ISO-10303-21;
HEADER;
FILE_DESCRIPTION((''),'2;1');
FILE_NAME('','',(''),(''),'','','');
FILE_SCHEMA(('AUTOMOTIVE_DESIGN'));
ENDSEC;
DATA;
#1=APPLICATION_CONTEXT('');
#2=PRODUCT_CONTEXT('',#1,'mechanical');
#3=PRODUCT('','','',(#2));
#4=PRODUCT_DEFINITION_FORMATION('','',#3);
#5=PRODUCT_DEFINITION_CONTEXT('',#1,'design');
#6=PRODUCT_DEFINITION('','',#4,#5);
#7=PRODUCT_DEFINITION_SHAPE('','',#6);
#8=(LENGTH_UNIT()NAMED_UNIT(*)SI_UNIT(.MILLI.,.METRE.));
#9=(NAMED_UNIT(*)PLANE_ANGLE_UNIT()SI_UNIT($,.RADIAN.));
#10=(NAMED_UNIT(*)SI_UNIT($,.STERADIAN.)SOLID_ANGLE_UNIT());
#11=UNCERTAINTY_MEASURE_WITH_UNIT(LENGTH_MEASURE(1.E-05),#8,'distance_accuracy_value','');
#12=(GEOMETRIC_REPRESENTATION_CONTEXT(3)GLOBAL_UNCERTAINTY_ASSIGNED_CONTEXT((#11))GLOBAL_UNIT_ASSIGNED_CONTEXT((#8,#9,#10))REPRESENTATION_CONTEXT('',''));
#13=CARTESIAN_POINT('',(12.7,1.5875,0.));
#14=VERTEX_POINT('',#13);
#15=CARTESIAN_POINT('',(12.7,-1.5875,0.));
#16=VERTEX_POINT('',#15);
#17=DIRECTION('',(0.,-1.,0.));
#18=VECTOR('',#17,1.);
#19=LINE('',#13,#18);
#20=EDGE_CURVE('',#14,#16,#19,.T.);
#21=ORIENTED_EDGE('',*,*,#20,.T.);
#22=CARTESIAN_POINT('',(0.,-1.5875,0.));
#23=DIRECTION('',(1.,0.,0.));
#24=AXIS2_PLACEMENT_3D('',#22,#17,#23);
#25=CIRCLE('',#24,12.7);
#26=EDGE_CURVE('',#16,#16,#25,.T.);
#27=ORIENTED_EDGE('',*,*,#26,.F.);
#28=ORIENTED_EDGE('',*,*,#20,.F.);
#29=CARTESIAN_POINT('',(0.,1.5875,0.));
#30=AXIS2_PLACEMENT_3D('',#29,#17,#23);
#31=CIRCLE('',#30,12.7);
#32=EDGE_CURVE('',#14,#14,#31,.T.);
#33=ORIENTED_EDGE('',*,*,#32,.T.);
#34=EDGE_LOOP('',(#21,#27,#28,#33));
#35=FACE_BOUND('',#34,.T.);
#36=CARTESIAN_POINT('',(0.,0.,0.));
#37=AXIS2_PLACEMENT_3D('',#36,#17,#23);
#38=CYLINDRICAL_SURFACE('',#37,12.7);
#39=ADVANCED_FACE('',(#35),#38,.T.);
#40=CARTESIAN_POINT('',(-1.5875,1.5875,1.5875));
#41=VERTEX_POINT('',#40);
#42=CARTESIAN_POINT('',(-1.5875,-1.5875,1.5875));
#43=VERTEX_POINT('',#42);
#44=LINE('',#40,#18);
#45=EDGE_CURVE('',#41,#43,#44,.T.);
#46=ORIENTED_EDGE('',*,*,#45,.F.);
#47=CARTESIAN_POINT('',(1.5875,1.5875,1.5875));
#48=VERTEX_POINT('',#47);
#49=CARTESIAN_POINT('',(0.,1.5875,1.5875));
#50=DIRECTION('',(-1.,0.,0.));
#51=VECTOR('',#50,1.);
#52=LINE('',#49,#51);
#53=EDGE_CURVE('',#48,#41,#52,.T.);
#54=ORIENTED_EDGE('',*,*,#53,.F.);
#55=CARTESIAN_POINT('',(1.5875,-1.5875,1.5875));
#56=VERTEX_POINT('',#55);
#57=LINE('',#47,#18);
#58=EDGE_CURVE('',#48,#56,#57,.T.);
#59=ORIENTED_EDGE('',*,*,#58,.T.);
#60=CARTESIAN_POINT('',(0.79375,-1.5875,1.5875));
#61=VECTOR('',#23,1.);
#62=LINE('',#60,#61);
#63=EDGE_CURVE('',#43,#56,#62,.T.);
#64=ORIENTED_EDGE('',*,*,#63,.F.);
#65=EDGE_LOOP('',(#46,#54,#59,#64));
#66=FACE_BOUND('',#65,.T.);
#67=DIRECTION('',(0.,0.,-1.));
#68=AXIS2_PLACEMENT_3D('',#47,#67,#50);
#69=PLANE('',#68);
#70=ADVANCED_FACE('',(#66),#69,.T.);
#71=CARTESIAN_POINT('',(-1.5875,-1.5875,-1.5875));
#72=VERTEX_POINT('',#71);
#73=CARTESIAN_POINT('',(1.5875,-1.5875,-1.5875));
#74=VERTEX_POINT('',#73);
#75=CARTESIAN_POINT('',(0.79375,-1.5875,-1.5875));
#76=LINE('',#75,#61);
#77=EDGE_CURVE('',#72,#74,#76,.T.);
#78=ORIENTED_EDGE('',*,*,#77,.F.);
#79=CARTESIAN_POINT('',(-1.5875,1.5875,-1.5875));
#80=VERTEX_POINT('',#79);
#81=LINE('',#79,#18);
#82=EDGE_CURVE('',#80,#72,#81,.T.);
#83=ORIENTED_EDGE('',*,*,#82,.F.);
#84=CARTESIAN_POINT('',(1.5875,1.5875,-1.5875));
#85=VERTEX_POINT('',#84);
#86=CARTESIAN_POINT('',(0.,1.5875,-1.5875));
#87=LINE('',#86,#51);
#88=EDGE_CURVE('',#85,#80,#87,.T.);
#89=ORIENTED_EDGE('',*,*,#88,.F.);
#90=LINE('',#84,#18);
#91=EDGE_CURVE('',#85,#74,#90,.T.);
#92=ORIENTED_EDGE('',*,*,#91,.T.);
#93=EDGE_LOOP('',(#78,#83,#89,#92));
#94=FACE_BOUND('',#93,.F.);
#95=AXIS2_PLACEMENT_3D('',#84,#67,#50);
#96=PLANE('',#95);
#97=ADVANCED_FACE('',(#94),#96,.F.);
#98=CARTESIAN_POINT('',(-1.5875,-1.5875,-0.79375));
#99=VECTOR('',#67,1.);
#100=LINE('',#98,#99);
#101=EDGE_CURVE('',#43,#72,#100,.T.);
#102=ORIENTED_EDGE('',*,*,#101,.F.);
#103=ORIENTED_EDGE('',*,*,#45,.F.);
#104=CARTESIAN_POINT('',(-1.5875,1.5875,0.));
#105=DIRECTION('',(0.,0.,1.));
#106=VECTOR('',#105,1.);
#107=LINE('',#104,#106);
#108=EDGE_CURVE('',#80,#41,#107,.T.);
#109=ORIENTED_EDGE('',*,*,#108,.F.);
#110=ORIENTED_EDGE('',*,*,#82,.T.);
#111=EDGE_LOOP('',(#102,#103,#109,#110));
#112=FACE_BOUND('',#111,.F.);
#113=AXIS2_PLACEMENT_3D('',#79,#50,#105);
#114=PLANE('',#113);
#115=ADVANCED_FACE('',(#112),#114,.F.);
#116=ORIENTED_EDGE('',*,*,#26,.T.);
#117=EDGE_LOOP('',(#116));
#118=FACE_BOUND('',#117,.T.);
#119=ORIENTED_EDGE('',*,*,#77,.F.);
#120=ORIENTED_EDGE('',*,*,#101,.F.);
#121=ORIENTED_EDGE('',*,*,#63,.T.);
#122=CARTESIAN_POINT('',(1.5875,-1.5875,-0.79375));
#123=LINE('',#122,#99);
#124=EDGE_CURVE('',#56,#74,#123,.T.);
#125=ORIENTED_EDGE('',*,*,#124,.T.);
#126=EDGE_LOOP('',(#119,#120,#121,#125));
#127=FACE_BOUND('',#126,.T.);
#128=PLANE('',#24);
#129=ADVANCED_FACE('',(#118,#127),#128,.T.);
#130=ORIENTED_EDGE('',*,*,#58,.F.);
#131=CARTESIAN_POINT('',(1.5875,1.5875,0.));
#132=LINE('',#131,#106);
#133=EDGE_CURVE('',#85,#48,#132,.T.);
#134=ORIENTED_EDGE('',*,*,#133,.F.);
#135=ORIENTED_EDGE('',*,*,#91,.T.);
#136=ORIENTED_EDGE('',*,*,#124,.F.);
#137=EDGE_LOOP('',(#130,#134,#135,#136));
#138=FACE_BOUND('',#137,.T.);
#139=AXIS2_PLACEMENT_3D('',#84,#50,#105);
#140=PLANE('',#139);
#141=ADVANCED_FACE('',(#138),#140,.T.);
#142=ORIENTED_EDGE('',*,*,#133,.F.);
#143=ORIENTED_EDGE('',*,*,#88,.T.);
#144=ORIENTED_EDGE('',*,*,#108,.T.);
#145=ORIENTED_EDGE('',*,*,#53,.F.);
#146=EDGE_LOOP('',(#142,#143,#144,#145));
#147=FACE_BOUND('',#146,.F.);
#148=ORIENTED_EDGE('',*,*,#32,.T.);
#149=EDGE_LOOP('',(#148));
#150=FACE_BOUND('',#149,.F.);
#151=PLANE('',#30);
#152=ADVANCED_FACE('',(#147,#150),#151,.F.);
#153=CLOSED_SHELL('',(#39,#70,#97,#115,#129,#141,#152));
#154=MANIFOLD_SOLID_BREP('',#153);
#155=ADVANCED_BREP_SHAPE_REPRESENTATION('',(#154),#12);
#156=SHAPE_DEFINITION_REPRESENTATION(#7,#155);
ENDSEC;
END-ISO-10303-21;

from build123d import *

# Parameters (mm, degrees)
F0_R     = 12.7
F1_DEPTH = 1.5875
F2_W     = 3.175
F2_H     = 3.175
F3_DEPTH = 3.176


with BuildPart() as f1:
    # F0 (on Front) → F1 (new body, symmetric)
    with BuildSketch(Plane.XZ):
        Circle(F0_R)
    extrude(amount=F1_DEPTH, both=True)

    # F2 (on face) → F3 (cut, through all)
    with BuildSketch(Plane(origin=(0, 1.5875, 0), x_dir=(-1, 0, 0), z_dir=(0, 1, 0))):
        Rectangle(F2_W, F2_H)
    extrude(amount=-F3_DEPTH, mode=Mode.SUBTRACT)


solid = f1.part
